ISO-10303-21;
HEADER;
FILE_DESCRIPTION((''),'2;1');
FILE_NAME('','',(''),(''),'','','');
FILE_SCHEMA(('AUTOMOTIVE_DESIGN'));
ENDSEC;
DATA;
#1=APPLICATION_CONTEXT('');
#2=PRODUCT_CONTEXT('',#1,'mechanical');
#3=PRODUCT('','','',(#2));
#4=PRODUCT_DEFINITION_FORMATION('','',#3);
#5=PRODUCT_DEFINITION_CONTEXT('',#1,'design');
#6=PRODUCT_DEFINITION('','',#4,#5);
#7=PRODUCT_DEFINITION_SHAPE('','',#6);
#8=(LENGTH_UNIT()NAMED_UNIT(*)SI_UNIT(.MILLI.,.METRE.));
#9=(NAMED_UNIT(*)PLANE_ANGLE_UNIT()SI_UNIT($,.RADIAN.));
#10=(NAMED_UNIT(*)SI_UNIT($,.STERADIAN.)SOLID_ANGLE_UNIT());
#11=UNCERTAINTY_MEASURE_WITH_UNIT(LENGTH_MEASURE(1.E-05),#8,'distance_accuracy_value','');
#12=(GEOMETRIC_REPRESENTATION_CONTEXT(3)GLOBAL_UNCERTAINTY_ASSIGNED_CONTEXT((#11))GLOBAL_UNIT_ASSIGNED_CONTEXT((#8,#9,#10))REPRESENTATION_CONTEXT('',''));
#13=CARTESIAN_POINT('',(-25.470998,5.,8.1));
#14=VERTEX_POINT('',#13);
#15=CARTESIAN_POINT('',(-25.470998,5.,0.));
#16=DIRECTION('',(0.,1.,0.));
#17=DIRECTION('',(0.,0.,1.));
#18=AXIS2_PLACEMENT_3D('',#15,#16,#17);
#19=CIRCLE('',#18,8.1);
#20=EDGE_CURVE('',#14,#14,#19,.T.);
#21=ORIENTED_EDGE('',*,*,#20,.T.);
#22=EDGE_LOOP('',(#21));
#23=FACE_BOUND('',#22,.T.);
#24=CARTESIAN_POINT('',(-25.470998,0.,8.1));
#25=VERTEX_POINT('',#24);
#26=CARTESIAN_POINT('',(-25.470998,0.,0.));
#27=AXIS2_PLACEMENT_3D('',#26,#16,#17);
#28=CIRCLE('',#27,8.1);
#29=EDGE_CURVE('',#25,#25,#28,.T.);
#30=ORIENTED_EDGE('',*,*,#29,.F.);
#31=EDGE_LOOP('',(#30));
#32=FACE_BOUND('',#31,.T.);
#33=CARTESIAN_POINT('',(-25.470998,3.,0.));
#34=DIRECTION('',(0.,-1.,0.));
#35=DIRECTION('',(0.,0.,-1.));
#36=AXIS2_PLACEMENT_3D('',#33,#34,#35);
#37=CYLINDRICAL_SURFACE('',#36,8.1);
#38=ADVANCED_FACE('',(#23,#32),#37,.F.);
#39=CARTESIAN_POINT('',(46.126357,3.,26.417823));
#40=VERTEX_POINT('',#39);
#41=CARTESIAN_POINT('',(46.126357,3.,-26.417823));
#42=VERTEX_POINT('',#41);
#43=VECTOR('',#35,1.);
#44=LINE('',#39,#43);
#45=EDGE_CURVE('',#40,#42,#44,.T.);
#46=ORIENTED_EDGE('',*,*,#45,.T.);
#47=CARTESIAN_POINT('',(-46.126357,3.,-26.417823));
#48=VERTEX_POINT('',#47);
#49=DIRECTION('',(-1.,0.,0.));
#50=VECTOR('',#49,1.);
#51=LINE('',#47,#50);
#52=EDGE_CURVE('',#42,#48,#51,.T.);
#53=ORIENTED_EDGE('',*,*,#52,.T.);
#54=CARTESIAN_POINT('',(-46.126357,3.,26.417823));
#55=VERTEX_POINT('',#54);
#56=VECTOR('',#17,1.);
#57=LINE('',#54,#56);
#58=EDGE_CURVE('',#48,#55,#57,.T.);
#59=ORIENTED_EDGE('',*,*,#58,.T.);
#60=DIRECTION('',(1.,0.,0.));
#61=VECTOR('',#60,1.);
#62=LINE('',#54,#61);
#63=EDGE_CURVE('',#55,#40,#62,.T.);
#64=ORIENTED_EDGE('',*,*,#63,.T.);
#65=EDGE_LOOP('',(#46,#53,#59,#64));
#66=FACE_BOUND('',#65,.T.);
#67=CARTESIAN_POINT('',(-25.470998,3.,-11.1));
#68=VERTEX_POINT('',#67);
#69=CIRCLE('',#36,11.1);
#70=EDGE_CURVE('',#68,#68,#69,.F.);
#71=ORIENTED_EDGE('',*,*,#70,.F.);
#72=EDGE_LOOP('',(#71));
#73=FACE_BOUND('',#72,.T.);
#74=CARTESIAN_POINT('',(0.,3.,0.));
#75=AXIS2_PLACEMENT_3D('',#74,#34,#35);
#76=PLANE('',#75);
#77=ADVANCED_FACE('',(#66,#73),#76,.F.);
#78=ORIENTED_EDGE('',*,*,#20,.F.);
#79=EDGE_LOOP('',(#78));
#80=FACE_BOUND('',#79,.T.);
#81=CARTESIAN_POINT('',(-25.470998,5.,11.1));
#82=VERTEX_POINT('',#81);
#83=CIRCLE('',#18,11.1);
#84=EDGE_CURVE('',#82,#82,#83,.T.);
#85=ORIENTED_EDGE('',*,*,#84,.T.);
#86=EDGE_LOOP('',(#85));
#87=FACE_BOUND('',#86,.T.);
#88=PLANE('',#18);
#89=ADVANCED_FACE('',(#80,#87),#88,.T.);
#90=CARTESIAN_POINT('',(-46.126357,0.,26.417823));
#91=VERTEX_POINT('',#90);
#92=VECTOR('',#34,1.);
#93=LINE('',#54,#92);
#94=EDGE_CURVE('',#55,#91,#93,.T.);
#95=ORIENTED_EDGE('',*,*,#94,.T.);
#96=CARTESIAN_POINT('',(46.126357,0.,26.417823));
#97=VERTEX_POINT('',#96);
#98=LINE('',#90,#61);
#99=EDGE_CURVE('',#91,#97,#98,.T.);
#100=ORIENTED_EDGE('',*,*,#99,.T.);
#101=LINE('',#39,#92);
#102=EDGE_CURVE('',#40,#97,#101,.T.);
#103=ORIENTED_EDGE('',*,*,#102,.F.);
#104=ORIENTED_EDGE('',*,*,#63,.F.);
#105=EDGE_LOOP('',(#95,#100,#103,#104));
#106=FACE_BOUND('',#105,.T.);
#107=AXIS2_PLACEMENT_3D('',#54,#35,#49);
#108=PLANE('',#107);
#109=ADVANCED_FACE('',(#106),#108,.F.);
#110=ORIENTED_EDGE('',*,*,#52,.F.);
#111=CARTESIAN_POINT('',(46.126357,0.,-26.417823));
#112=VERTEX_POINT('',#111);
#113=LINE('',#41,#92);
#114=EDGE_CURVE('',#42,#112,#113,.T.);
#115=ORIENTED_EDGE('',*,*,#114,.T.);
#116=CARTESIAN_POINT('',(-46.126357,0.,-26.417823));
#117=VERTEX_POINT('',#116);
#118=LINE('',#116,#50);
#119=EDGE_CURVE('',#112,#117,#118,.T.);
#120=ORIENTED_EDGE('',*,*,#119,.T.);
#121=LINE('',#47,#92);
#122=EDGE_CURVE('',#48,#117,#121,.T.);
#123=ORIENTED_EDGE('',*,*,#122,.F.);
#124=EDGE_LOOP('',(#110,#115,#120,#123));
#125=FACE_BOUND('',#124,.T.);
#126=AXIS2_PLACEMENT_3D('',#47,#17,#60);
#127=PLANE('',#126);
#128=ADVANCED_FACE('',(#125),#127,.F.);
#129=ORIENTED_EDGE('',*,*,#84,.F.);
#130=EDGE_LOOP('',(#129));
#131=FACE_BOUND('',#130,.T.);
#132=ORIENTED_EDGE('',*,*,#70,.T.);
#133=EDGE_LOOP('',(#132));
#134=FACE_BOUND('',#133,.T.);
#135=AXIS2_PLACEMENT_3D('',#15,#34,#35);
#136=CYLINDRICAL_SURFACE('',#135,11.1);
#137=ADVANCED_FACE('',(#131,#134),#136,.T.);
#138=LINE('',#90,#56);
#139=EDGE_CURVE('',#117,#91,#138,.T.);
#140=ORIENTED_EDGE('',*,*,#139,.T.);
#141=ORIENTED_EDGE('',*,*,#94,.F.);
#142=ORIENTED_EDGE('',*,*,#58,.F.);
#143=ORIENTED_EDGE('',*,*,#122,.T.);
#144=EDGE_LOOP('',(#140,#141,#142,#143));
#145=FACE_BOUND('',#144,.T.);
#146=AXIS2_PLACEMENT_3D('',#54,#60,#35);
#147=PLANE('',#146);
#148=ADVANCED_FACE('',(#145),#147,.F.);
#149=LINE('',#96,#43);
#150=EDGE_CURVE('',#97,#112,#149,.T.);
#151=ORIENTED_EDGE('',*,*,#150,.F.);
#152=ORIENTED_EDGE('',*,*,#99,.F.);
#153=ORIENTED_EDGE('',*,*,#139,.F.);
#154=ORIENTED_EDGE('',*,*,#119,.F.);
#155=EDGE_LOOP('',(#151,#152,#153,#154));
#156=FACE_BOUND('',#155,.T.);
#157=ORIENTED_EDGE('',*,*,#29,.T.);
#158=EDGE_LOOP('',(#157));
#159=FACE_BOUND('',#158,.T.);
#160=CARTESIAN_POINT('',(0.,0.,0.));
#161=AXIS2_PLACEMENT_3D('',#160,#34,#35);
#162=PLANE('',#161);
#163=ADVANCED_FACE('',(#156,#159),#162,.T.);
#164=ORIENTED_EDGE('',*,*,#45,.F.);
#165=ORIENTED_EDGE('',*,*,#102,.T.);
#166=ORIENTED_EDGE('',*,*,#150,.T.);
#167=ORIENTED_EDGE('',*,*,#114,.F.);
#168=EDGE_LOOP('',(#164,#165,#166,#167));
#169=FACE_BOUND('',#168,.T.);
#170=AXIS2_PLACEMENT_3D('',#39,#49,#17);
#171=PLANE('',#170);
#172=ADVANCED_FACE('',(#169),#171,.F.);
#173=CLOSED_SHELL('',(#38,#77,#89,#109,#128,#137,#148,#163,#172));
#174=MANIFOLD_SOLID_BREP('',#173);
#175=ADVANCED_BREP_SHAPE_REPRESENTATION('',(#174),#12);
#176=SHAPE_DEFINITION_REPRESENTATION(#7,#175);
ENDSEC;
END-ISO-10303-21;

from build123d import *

# Parameters (mm, degrees)
SKETCH1_W           = 92.252714028
SKETCH1_H           = 52.835645306
SKETCH1_R           = 8.1
BOSS_EXTRUDE1_DEPTH = 3
SKETCH2_R           = 11.1
SKETCH2_R_2         = 8.1
BOSS_EXTRUDE2_DEPTH = 2


with BuildPart() as part:
    # Sketch1 → Boss-Extrude1 (new body)
    with BuildSketch(Plane(origin=(0, 0, 0), x_dir=(1, 0, 0), z_dir=(0, 1, 0))):
        Rectangle(SKETCH1_W, SKETCH1_H)
        with Locations(Location((-25.470998192, 0, 0), (0, 0, 270))):
            Circle(SKETCH1_R, mode=Mode.SUBTRACT)
    extrude(amount=BOSS_EXTRUDE1_DEPTH)

    # Sketch2 → Boss-Extrude2 (add)
    with BuildSketch(Plane(origin=(0, 3, 0), x_dir=(1, 0, 0), z_dir=(0, 1, 0))):
        with Locations(Location((-25.470998192, 0, 0), (0, 0, 90))):
            Circle(SKETCH2_R)
        with Locations(Location((-25.470998192, 0, 0), (0, 0, 270))):
            Circle(SKETCH2_R_2, mode=Mode.SUBTRACT)
    extrude(amount=BOSS_EXTRUDE2_DEPTH)


solid = part.part
